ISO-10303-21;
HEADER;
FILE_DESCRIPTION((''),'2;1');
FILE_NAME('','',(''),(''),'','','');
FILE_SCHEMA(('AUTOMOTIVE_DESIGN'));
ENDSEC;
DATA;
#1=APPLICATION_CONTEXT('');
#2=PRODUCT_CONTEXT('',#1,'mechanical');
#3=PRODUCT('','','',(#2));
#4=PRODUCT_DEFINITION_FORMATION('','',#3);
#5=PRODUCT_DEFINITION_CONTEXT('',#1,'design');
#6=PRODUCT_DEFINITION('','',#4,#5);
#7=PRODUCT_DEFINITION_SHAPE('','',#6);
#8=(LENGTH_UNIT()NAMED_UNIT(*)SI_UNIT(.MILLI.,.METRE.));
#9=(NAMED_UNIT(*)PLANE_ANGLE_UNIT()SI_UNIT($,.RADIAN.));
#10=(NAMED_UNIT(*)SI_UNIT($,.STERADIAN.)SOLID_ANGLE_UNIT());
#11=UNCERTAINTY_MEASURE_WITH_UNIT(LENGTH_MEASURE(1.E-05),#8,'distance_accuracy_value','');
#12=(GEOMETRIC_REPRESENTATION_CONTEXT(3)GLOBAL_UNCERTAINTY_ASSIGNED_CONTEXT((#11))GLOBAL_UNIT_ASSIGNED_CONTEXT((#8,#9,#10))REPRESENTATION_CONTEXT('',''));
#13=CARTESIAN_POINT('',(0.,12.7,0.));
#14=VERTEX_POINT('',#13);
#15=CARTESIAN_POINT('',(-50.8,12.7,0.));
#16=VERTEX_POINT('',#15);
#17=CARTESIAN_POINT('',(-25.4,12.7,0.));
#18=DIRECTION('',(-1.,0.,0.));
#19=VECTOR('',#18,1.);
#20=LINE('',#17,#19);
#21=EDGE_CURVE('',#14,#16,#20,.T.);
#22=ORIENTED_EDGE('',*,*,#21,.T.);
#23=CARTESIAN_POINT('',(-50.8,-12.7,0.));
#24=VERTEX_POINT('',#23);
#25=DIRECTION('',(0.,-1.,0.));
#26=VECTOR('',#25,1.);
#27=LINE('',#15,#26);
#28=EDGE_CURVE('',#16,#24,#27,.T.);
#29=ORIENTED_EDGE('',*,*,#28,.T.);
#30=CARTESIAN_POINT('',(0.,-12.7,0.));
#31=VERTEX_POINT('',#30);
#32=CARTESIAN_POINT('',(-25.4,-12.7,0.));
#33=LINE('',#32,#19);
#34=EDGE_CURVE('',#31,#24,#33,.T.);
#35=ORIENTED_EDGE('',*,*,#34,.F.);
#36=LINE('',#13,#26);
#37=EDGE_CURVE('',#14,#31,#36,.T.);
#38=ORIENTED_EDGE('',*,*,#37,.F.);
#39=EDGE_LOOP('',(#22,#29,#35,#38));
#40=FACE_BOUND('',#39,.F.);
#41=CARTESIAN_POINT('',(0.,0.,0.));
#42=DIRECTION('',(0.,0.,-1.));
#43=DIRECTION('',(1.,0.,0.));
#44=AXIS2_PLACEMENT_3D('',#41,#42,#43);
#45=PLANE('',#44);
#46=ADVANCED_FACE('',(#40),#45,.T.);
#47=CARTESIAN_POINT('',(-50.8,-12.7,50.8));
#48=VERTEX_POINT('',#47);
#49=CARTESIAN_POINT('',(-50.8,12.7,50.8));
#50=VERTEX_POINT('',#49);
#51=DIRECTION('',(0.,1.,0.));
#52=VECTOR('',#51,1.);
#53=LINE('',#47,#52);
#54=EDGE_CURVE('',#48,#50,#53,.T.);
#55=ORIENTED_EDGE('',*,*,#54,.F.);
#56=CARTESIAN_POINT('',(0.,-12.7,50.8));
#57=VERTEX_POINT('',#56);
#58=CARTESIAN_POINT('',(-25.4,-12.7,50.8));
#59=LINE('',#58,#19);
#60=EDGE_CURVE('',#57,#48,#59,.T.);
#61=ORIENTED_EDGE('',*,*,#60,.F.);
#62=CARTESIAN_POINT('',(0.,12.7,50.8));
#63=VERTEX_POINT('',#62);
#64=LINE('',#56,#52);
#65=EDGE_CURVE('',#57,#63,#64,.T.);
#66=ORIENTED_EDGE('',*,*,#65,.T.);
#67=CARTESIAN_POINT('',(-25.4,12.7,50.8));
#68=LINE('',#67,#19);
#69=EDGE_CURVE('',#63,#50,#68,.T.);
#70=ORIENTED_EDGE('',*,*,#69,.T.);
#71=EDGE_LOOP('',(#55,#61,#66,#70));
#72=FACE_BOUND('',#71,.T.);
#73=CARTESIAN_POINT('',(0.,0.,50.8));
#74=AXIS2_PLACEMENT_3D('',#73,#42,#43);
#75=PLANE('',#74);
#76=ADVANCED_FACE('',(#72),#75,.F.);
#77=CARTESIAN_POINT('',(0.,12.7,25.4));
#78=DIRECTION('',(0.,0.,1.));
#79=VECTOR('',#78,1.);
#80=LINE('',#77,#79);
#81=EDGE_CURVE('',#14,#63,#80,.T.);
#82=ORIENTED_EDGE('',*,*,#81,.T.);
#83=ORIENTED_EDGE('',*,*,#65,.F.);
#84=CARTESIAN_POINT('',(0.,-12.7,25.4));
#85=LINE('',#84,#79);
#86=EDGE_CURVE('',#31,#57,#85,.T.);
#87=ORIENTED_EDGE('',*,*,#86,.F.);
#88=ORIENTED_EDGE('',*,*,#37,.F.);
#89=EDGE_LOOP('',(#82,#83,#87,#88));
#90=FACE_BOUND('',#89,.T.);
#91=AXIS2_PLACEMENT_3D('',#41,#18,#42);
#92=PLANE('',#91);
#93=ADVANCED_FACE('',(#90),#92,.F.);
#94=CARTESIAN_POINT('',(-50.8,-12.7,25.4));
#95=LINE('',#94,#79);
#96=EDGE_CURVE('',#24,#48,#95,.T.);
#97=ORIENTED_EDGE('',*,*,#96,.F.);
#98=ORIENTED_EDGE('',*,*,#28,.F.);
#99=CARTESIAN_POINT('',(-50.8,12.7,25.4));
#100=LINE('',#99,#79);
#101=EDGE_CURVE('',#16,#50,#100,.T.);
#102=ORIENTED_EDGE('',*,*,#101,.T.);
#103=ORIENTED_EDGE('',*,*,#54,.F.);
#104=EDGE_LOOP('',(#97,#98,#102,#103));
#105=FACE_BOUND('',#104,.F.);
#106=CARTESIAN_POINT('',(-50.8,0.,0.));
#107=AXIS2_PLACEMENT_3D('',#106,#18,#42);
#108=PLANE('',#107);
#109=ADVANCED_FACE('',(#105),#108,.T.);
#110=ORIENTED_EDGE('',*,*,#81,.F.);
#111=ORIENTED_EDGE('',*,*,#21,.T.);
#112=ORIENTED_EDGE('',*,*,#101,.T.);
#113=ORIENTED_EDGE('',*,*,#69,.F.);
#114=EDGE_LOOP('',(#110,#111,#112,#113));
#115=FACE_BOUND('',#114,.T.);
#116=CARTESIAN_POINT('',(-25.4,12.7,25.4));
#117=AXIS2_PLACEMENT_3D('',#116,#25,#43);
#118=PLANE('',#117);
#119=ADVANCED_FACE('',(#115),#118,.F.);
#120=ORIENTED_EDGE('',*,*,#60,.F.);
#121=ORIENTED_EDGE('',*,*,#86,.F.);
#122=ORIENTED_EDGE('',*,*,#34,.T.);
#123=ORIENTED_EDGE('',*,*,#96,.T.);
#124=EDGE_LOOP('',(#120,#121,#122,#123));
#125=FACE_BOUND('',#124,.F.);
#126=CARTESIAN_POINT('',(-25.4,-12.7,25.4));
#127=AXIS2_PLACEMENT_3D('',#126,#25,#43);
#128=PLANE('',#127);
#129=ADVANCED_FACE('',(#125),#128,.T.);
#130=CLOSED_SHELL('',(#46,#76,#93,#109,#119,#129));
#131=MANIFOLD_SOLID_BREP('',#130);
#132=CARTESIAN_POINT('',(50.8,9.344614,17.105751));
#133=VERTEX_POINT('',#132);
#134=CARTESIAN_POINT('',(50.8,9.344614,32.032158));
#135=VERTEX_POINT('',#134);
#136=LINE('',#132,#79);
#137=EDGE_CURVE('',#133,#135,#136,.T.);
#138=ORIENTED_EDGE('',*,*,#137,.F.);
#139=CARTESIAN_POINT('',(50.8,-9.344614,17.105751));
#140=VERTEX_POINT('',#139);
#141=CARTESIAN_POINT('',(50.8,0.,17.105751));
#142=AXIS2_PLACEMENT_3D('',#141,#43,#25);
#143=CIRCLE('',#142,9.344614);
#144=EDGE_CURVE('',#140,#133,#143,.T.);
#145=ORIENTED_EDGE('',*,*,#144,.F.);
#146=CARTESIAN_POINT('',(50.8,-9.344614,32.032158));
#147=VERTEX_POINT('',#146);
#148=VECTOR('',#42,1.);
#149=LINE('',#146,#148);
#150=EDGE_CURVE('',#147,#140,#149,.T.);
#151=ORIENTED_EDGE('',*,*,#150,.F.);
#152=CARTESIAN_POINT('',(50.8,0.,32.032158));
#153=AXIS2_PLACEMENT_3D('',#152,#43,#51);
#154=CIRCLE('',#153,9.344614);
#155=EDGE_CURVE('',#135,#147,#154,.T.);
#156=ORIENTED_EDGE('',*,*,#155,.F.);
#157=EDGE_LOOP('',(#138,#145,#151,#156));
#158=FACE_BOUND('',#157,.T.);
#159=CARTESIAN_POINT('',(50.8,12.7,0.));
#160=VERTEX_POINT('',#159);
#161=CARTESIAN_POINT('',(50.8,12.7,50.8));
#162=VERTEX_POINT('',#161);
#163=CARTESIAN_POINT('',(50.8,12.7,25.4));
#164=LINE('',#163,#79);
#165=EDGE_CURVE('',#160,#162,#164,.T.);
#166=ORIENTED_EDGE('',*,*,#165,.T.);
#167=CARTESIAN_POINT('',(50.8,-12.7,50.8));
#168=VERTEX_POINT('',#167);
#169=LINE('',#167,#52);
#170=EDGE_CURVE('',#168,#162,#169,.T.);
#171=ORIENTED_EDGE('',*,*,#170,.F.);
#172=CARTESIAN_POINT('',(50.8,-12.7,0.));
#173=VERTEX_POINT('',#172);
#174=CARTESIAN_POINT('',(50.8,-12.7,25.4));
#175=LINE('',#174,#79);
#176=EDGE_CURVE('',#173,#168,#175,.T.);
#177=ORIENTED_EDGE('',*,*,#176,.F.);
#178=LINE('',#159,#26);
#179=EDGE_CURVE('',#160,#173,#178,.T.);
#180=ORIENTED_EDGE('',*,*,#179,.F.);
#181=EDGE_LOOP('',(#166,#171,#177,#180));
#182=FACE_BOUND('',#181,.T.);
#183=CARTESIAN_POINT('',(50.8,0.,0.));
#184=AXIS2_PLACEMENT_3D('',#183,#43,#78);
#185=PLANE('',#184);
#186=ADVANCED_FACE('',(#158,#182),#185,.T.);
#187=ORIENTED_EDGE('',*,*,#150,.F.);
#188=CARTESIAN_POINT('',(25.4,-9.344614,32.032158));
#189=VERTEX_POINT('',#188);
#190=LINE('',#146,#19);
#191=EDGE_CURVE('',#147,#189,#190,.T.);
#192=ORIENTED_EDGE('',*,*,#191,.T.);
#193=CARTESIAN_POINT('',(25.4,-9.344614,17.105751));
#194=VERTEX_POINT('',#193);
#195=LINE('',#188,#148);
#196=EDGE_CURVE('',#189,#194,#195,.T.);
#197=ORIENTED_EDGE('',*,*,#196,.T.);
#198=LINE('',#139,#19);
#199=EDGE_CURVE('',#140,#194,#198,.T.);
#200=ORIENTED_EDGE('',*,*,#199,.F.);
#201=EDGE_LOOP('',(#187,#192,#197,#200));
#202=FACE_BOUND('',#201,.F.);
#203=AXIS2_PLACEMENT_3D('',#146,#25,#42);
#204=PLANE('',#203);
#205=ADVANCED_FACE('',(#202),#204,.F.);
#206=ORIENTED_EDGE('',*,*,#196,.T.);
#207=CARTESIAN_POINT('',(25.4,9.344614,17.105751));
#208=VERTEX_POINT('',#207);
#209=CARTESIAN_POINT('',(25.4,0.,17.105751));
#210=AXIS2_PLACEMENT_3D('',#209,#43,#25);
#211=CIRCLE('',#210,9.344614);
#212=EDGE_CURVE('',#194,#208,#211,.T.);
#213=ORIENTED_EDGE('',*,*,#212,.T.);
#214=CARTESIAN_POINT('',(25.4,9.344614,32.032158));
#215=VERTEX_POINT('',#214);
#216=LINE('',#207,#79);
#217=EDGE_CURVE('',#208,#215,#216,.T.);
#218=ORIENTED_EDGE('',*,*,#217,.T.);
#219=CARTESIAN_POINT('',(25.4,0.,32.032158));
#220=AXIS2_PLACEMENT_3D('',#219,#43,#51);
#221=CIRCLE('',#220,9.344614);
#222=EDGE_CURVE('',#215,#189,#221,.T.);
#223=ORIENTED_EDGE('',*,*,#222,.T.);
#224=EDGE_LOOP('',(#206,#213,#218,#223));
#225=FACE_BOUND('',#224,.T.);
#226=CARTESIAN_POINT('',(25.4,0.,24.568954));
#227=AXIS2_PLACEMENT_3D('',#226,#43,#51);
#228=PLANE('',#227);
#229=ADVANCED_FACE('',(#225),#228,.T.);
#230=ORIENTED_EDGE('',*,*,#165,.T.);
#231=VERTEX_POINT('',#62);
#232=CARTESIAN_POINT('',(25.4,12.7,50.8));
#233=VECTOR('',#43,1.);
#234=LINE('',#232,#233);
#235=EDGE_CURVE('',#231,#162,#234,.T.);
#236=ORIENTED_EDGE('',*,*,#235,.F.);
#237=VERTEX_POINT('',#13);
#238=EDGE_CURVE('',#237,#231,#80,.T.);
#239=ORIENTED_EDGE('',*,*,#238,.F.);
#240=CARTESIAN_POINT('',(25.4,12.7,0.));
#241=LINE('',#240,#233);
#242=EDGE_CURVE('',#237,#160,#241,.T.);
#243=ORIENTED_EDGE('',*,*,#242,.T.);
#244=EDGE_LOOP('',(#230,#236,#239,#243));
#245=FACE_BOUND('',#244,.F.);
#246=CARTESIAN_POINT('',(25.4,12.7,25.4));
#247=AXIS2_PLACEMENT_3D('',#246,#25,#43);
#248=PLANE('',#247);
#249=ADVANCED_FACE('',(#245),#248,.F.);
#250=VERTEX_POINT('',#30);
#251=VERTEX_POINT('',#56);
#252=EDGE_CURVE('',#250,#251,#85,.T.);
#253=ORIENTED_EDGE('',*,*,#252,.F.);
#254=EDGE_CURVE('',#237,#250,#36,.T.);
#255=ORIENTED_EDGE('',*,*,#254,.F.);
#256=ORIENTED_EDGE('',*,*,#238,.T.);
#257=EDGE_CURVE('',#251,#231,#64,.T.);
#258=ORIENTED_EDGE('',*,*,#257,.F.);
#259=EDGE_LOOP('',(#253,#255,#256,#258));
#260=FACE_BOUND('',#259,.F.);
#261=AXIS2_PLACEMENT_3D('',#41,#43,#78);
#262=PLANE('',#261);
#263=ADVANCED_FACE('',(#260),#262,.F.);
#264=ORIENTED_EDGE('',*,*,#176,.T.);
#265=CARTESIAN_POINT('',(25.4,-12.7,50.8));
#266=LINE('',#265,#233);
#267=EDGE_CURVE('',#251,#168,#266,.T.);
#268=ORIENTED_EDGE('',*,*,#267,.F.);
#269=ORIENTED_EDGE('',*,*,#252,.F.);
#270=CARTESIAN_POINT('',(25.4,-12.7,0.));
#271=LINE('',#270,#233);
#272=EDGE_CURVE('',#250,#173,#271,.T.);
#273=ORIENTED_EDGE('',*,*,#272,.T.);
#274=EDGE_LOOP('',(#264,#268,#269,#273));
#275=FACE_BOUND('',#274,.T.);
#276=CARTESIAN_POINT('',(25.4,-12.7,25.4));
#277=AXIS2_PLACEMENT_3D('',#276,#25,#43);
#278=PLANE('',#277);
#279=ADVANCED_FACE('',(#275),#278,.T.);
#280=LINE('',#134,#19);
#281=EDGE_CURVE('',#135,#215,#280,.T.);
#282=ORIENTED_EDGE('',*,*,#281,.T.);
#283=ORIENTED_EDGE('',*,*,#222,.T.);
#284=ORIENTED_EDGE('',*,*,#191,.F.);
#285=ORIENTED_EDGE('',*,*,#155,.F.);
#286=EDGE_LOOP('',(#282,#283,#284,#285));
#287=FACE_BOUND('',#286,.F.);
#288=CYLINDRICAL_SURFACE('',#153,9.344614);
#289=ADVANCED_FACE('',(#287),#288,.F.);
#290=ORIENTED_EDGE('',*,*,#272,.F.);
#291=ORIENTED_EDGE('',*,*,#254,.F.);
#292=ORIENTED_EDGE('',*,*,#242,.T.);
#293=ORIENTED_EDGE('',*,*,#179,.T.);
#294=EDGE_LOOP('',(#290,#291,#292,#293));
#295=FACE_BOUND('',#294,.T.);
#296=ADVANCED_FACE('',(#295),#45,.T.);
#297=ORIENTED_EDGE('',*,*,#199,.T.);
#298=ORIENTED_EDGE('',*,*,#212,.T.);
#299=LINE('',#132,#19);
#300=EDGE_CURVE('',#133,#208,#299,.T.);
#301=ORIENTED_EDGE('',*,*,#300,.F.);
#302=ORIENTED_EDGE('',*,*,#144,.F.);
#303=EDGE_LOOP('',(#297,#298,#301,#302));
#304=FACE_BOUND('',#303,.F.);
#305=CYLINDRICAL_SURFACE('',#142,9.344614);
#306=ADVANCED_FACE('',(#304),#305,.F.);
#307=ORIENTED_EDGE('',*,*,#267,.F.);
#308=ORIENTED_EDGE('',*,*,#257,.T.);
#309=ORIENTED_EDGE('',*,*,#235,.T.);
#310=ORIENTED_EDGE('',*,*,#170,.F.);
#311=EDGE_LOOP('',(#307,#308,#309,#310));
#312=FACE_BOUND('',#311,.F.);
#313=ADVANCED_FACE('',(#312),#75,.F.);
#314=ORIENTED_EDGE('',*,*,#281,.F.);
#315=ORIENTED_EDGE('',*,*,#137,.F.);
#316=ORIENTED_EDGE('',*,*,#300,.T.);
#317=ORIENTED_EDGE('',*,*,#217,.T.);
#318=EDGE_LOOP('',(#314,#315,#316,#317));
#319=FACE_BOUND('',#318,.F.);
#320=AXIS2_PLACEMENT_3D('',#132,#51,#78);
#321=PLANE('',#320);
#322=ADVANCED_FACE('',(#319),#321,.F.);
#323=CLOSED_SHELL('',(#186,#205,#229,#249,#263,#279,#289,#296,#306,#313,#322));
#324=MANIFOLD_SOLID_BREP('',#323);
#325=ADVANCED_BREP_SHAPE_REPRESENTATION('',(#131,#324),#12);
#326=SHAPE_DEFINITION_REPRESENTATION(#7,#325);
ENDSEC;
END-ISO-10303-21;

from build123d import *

# Parameters (mm, degrees)
F0_W     = 50.8
F0_H     = 50.8
F1_DEPTH = 12.7
F4_DEPTH = 25.4


with BuildPart() as f1:
    # F0 (on Front) → F1 (new body, symmetric)
    with BuildSketch(Plane.XZ):
        with Locations((25.4, 25.4)):
            Rectangle(F0_W, F0_H)
    extrude(amount=F1_DEPTH, both=True)


with BuildPart() as f2_1:
    # F2: instance of F1
    add(f1.part.mirror(Plane.YZ))


with BuildPart() as f1_1:
    add(f1.part)

    # F3 (on face) → F4 (cut)
    with BuildSketch(Plane.YZ.offset(50.8)):
        with BuildLine():
            ThreePointArc((9.344614426, 32.0321582258), (0, 41.3767726518), (-9.344614426, 32.0321582258))
            Line((-9.344614426, 32.0321582258), (-9.344614426, 17.1057507396))
            ThreePointArc((-9.344614426, 17.1057507396), (0, 7.7611363136), (9.344614426, 17.1057507396))
            Line((9.344614426, 17.1057507396), (9.344614426, 32.0321582258))
        make_face()
    extrude(amount=-F4_DEPTH, mode=Mode.SUBTRACT)


solid = Compound([f2_1.part, f1_1.part])
